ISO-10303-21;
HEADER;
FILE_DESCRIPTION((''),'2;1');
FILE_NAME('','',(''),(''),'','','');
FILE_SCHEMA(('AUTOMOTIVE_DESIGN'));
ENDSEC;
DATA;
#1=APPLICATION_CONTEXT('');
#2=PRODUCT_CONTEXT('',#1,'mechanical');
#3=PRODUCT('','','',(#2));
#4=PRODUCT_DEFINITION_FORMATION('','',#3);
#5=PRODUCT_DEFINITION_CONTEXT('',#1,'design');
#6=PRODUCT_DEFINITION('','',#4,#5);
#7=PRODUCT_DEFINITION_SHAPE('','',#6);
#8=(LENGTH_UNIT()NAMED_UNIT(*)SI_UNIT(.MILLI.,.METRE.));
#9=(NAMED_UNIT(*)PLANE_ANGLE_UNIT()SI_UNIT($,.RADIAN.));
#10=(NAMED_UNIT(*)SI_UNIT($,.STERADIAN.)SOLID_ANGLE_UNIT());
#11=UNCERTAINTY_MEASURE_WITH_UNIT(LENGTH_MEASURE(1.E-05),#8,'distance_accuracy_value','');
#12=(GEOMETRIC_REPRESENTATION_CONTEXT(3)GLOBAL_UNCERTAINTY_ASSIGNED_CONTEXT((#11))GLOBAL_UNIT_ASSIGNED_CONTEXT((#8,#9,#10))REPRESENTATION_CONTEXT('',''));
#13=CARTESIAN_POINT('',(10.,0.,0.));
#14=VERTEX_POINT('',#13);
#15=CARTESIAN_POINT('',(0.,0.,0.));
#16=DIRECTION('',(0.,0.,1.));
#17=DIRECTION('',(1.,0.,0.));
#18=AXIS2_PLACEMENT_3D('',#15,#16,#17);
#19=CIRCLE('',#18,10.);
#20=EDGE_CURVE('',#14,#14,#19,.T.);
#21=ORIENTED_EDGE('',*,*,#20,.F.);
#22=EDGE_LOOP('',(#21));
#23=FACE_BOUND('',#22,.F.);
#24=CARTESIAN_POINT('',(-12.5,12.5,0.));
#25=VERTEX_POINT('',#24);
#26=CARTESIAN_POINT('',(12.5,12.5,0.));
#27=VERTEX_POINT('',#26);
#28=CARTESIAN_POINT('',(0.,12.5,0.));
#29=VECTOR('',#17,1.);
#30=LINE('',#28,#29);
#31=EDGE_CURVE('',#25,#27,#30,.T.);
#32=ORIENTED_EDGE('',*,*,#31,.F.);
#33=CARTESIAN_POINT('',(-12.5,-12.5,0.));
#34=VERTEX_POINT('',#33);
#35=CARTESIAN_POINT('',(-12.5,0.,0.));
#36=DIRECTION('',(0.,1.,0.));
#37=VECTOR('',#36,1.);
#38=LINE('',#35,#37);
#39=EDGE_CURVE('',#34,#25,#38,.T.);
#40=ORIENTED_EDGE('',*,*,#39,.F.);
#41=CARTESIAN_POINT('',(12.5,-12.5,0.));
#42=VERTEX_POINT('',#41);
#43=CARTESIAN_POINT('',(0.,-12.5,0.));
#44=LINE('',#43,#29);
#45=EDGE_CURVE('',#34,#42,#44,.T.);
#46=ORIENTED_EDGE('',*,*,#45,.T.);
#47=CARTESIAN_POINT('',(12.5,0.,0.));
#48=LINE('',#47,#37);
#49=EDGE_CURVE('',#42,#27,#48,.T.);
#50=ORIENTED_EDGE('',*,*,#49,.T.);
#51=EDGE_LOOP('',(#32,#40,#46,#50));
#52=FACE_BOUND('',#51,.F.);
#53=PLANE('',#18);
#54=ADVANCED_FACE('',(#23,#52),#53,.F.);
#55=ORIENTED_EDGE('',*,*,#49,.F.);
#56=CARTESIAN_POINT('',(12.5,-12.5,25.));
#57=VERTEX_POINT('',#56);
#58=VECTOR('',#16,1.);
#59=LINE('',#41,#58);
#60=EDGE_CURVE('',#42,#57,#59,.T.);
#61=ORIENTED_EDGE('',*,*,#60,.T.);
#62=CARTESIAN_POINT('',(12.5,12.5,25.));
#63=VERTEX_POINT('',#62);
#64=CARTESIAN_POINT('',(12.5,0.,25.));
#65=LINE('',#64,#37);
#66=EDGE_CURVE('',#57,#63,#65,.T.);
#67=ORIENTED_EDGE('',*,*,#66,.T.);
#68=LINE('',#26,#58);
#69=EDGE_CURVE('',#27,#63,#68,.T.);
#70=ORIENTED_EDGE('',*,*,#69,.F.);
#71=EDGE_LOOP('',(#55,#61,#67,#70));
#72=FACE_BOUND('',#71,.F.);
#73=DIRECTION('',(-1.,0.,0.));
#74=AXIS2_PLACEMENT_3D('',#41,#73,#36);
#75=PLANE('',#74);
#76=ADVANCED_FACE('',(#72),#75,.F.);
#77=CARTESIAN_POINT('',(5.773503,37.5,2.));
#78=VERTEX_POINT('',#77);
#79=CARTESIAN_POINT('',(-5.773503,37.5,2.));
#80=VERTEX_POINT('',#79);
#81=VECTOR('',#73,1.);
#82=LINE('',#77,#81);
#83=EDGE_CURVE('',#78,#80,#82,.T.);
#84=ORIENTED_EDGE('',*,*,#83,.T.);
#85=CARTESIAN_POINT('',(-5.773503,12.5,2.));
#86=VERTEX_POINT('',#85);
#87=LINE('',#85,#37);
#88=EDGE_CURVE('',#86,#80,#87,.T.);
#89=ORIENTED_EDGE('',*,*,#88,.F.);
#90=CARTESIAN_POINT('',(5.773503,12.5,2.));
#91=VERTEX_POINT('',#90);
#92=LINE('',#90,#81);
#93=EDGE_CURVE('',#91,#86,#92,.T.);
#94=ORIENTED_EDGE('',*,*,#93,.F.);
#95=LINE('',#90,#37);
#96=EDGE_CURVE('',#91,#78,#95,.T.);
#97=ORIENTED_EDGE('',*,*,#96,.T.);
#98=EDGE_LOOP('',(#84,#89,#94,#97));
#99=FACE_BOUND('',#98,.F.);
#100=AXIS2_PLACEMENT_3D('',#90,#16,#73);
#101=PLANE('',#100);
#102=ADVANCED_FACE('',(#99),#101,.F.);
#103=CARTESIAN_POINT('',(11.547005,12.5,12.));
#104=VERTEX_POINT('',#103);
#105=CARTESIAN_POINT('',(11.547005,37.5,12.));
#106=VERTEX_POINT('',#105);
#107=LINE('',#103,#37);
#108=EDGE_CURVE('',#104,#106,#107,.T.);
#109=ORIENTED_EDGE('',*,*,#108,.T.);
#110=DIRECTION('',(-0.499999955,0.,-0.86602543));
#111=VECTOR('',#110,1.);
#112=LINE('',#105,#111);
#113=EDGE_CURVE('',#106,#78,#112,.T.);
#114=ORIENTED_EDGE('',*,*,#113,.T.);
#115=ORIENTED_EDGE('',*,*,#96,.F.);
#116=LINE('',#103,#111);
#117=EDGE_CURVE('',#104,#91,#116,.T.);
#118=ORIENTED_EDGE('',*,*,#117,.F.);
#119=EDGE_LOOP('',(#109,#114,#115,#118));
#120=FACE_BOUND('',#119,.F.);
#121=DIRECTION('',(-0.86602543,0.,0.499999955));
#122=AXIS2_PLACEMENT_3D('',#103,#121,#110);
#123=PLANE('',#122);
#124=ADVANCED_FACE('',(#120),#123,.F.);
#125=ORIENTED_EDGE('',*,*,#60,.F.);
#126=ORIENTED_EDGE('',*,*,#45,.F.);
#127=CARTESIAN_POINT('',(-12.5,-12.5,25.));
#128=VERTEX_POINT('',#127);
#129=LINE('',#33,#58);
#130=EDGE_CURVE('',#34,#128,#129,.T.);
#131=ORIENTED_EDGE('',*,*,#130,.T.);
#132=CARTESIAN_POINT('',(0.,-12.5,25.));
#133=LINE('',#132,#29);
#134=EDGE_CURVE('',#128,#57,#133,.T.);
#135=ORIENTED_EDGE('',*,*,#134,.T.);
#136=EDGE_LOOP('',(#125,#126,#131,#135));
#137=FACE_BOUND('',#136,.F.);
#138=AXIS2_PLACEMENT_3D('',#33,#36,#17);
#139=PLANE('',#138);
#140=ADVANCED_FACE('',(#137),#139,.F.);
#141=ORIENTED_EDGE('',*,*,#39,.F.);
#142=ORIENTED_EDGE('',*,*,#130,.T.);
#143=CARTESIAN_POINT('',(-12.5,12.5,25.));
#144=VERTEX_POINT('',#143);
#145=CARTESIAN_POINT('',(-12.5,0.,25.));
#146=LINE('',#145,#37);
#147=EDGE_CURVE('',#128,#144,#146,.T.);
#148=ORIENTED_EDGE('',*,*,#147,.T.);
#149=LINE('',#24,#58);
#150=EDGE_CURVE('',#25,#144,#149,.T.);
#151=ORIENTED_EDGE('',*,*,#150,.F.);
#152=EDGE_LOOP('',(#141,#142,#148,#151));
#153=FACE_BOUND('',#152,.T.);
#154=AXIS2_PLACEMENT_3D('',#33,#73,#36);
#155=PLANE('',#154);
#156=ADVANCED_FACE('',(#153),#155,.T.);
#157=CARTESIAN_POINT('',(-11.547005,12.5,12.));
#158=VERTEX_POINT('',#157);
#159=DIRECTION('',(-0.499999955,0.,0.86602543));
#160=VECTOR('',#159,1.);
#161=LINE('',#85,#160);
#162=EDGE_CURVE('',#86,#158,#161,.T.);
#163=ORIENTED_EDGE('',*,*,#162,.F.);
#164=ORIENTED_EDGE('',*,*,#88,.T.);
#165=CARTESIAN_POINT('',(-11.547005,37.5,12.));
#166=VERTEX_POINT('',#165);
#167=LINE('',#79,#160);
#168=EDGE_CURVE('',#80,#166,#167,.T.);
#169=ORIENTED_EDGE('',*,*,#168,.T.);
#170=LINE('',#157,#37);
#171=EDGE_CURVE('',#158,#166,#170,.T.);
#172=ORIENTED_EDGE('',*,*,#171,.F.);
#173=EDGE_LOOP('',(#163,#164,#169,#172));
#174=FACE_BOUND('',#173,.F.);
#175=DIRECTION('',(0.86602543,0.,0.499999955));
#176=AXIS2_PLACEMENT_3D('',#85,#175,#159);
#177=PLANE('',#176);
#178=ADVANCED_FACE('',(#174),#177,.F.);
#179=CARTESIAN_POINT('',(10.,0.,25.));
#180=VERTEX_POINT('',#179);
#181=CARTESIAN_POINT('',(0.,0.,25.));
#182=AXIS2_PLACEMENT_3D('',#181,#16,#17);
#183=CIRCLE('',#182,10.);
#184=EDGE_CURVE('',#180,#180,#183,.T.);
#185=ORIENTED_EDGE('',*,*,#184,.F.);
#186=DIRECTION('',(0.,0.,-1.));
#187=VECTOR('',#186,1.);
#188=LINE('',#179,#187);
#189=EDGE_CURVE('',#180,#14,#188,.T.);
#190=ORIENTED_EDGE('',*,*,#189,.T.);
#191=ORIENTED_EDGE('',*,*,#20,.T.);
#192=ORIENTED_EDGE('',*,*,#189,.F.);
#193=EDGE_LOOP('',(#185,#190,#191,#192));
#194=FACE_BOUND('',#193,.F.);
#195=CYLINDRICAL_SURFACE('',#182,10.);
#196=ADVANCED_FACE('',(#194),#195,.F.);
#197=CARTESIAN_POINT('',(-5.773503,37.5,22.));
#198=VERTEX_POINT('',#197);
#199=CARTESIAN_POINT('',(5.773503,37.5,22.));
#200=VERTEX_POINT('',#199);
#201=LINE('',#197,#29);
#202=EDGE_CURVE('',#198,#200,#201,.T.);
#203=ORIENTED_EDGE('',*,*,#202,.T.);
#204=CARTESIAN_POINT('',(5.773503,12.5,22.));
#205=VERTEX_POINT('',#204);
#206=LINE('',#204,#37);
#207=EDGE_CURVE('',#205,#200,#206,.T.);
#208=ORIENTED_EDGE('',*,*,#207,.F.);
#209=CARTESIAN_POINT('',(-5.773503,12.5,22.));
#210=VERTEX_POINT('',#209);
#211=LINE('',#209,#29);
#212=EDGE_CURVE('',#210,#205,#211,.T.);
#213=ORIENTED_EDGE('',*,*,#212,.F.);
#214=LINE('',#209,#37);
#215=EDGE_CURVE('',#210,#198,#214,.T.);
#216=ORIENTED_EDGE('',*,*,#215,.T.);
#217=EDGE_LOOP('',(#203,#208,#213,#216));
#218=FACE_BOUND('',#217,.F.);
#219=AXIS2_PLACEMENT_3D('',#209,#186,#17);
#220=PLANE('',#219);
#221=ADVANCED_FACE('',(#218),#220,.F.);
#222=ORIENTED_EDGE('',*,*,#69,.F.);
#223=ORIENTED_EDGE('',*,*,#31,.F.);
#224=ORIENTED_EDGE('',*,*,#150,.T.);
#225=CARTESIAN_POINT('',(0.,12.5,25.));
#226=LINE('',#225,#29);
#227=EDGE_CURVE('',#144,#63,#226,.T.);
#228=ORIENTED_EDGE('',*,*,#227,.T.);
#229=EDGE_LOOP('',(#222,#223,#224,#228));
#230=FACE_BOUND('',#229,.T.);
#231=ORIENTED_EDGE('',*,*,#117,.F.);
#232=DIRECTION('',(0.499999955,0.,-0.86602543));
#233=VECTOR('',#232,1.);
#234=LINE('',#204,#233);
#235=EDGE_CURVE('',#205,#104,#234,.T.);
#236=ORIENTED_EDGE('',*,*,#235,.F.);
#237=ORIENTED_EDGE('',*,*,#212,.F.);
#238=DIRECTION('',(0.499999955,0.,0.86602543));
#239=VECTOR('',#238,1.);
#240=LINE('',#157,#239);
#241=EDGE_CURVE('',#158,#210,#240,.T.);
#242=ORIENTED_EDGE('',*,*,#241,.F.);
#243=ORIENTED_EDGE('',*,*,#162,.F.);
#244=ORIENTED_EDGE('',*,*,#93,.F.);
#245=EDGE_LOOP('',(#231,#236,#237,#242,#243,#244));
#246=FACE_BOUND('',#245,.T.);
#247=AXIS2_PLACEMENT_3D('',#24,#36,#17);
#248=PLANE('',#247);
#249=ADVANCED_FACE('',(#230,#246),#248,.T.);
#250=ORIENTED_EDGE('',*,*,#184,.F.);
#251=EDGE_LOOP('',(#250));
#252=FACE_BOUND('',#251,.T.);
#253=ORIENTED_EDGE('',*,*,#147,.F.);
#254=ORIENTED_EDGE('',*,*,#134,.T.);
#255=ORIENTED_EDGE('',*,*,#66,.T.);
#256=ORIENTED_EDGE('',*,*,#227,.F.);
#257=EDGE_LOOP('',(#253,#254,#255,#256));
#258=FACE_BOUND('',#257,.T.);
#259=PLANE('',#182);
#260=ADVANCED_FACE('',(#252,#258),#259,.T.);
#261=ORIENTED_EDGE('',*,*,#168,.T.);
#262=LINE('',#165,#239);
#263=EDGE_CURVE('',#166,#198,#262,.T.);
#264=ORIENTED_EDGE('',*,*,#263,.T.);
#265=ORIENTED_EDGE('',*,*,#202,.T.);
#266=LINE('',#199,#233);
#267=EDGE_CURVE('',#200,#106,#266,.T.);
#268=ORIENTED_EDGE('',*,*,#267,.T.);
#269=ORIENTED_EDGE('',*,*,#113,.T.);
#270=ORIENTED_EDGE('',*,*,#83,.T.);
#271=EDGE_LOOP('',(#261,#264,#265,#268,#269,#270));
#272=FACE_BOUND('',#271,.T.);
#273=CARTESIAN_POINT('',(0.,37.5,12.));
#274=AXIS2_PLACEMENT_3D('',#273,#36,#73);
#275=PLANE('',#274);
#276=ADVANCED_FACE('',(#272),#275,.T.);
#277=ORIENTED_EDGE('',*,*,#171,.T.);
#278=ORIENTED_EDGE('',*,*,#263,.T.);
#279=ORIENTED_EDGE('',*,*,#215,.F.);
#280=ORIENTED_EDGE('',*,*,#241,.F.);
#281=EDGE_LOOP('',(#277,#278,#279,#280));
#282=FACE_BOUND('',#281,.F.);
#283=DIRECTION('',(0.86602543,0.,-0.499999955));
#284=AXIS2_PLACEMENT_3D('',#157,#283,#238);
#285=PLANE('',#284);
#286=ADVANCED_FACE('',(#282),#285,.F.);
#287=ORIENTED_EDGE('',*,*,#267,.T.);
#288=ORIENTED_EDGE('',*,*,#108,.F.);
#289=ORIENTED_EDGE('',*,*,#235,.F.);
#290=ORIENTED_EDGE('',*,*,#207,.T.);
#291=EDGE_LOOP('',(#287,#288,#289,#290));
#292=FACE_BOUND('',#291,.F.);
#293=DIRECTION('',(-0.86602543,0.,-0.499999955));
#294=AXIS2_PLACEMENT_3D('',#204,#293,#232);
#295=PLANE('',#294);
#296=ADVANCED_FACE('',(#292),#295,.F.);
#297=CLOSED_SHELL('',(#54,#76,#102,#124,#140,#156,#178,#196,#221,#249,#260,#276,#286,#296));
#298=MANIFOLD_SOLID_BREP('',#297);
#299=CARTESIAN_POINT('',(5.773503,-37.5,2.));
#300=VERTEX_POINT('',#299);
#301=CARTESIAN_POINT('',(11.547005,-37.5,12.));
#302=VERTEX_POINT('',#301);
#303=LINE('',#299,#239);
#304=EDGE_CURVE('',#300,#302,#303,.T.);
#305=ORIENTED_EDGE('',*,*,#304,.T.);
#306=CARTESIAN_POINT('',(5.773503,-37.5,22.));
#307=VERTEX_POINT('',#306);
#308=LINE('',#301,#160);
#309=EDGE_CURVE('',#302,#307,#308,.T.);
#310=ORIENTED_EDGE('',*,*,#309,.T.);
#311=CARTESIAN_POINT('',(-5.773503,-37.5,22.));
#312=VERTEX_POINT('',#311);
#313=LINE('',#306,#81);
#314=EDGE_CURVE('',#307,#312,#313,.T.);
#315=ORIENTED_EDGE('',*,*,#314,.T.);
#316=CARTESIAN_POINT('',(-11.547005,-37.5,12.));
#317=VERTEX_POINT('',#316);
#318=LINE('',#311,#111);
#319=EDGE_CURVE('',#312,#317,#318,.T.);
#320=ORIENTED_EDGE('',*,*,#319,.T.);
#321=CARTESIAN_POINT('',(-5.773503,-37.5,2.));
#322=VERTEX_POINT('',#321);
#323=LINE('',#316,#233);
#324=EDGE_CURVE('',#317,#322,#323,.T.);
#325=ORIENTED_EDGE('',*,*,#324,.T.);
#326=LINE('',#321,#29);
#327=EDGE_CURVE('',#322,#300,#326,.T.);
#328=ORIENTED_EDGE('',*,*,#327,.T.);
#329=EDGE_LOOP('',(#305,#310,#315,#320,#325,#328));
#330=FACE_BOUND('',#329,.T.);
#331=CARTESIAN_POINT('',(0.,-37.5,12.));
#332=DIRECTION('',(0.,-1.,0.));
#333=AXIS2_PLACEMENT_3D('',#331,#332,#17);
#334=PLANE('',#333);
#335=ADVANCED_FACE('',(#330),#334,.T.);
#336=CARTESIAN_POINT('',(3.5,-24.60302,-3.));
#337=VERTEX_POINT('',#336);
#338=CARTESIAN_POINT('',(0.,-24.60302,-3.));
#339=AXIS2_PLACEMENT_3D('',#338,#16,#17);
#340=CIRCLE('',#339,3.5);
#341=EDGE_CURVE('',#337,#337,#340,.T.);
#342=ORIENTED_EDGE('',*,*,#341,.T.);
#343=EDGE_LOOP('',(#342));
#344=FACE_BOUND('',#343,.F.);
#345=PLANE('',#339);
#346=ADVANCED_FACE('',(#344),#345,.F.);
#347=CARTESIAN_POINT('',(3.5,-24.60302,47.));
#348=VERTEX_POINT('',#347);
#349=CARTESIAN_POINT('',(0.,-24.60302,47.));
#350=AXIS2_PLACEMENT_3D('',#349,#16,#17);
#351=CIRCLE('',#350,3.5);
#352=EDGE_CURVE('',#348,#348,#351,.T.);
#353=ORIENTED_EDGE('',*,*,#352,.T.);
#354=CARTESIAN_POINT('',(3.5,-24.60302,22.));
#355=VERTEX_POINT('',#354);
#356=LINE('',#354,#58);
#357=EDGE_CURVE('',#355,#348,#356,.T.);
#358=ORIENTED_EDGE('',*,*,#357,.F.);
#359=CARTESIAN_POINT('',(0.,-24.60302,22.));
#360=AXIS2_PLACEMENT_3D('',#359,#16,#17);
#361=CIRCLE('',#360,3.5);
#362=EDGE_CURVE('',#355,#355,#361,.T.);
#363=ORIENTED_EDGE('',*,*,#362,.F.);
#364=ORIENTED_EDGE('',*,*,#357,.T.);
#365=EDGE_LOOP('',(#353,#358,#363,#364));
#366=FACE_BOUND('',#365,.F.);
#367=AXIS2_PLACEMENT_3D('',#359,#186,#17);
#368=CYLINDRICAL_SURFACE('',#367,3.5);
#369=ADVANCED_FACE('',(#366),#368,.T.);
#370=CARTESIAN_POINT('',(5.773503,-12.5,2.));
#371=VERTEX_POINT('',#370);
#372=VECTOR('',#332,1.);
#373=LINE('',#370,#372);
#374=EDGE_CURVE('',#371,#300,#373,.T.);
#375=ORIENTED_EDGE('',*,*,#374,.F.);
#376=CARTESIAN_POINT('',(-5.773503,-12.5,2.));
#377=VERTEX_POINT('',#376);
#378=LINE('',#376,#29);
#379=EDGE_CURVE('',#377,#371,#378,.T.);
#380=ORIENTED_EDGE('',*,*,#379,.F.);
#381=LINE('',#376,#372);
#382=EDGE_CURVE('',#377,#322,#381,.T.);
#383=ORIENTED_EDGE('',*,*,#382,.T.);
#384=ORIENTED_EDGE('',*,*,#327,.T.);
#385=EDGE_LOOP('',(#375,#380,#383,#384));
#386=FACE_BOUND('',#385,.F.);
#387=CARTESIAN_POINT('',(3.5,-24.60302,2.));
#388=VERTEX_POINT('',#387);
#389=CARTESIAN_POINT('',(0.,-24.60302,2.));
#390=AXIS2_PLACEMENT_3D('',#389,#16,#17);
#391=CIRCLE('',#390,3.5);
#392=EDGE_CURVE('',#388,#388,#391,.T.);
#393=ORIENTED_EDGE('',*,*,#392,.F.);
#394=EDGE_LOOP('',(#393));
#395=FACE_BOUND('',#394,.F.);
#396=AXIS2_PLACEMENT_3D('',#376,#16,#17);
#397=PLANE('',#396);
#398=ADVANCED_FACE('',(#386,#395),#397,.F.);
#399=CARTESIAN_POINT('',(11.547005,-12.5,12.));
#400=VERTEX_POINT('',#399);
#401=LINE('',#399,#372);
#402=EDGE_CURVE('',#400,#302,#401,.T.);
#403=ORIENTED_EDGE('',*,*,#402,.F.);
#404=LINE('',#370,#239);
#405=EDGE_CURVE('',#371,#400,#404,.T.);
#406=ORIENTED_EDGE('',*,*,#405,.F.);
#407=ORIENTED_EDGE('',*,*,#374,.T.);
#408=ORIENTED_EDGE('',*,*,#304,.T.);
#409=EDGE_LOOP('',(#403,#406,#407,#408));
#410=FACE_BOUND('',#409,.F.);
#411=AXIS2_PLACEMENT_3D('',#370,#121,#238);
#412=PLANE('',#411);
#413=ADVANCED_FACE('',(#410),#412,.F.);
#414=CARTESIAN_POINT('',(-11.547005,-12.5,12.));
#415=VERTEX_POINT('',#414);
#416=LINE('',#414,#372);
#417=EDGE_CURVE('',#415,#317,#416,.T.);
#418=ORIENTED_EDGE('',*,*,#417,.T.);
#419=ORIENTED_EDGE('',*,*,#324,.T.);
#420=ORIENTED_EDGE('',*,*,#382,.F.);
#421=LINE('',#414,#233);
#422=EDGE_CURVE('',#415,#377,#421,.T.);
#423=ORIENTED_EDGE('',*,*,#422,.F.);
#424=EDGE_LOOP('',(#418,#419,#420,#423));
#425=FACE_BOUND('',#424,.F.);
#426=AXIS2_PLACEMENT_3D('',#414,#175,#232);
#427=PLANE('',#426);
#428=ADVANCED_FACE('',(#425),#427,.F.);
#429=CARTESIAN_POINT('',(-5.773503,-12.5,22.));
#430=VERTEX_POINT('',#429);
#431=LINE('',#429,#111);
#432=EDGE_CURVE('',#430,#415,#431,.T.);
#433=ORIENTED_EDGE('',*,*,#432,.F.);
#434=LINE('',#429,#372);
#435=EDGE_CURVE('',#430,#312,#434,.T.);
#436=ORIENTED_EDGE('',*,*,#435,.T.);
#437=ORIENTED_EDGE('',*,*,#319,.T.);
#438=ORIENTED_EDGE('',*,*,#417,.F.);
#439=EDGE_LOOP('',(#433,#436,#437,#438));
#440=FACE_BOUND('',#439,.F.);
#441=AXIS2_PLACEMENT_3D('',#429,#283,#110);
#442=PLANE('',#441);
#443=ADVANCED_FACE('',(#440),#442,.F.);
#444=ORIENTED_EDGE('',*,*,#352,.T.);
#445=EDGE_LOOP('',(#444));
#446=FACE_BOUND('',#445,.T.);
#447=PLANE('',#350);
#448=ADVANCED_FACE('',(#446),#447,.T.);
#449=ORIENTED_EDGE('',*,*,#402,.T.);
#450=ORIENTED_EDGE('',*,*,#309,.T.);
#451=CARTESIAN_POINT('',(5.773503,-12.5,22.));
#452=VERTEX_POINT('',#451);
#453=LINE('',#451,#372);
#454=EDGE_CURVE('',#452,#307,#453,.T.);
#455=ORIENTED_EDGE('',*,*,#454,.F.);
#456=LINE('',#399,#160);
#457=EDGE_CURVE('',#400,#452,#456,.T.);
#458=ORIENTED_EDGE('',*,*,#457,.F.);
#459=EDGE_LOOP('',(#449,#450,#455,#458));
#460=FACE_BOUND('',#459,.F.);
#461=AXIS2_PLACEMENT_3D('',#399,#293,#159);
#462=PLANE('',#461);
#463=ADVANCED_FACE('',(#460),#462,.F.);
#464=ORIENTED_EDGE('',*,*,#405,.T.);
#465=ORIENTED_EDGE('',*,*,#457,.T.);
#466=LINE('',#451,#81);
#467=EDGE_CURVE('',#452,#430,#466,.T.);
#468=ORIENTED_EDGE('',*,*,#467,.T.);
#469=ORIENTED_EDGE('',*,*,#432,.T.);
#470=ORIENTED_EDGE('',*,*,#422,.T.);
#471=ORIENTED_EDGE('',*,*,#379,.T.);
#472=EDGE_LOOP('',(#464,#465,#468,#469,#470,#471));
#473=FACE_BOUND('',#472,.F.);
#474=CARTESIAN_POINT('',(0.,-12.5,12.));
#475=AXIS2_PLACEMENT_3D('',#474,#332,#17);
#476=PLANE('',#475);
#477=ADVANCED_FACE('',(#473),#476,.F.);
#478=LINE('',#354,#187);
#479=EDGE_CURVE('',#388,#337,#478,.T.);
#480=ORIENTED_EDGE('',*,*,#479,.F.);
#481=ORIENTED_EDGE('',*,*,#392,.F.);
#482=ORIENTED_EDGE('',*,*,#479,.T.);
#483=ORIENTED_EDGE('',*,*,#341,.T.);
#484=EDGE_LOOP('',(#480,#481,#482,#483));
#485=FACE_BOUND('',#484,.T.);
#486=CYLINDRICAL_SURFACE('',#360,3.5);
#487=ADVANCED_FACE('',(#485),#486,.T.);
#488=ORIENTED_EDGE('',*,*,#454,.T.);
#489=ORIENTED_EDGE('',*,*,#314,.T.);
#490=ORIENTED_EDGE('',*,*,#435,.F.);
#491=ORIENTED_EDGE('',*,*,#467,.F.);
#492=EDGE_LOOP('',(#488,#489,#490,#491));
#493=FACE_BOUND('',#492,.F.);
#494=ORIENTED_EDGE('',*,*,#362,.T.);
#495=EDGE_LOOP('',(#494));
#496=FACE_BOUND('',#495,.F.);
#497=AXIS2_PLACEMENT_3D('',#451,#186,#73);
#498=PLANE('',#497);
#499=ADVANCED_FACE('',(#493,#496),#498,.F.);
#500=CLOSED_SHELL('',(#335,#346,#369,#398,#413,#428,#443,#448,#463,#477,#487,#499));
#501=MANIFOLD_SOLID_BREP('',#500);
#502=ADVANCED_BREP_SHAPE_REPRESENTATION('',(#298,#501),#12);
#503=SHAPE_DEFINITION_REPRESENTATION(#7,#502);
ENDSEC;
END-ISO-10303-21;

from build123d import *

# Parameters (mm, degrees)
F0_W          = 25
F0_H          = 25
F1_DEPTH      = 25
F2_R          = 10
F3_DEPTH      = 25.001
F5_DEPTH      = 25
F7_DEPTH      = 25
F8_R          = 3.5
F9_DEPTH      = 25
F9_DEPTH_BACK = 25


with BuildPart() as f1:
    # F0 (on Top) → F1 (new body)
    with BuildSketch(Plane.XY):
        Rectangle(F0_W, F0_H)
    extrude(amount=F1_DEPTH)

    # F2 (on face) → F3 (cut, through all)
    with BuildSketch(Plane.XY.offset(25)):
        Circle(F2_R)
    extrude(amount=-F3_DEPTH, mode=Mode.SUBTRACT)

    # F4 (on face) → F5 (join)
    with BuildSketch(Plane(origin=(0, 12.5, 0), x_dir=(-1, 0, 0), z_dir=(0, 1, 0))):
        Polygon((-11.547005, 12), (-5.773503, 2), (5.773503, 2), (11.547005, 12), (5.773503, 22), (-5.773503, 22), align=None)
    extrude(amount=F5_DEPTH)


with BuildPart() as f7:
    # F6 (on face) → F7 (new body)
    with BuildSketch(Plane.XZ.offset(12.5)):
        Polygon((5.773503, 2), (11.547005, 12), (5.773503, 22), (-5.773503, 22), (-11.547005, 12), (-5.773503, 2), align=None)
    extrude(amount=F7_DEPTH)

    # F8 (on face) → F9 (join, two sides)
    with BuildSketch(Plane.XY.offset(22)) as f9_sk:
        with Locations((0, -24.60302)):
            Circle(F8_R)
    extrude(amount=F9_DEPTH)
    extrude(f9_sk.sketch, amount=-F9_DEPTH_BACK)


solid = Compound([f1.part, f7.part])
